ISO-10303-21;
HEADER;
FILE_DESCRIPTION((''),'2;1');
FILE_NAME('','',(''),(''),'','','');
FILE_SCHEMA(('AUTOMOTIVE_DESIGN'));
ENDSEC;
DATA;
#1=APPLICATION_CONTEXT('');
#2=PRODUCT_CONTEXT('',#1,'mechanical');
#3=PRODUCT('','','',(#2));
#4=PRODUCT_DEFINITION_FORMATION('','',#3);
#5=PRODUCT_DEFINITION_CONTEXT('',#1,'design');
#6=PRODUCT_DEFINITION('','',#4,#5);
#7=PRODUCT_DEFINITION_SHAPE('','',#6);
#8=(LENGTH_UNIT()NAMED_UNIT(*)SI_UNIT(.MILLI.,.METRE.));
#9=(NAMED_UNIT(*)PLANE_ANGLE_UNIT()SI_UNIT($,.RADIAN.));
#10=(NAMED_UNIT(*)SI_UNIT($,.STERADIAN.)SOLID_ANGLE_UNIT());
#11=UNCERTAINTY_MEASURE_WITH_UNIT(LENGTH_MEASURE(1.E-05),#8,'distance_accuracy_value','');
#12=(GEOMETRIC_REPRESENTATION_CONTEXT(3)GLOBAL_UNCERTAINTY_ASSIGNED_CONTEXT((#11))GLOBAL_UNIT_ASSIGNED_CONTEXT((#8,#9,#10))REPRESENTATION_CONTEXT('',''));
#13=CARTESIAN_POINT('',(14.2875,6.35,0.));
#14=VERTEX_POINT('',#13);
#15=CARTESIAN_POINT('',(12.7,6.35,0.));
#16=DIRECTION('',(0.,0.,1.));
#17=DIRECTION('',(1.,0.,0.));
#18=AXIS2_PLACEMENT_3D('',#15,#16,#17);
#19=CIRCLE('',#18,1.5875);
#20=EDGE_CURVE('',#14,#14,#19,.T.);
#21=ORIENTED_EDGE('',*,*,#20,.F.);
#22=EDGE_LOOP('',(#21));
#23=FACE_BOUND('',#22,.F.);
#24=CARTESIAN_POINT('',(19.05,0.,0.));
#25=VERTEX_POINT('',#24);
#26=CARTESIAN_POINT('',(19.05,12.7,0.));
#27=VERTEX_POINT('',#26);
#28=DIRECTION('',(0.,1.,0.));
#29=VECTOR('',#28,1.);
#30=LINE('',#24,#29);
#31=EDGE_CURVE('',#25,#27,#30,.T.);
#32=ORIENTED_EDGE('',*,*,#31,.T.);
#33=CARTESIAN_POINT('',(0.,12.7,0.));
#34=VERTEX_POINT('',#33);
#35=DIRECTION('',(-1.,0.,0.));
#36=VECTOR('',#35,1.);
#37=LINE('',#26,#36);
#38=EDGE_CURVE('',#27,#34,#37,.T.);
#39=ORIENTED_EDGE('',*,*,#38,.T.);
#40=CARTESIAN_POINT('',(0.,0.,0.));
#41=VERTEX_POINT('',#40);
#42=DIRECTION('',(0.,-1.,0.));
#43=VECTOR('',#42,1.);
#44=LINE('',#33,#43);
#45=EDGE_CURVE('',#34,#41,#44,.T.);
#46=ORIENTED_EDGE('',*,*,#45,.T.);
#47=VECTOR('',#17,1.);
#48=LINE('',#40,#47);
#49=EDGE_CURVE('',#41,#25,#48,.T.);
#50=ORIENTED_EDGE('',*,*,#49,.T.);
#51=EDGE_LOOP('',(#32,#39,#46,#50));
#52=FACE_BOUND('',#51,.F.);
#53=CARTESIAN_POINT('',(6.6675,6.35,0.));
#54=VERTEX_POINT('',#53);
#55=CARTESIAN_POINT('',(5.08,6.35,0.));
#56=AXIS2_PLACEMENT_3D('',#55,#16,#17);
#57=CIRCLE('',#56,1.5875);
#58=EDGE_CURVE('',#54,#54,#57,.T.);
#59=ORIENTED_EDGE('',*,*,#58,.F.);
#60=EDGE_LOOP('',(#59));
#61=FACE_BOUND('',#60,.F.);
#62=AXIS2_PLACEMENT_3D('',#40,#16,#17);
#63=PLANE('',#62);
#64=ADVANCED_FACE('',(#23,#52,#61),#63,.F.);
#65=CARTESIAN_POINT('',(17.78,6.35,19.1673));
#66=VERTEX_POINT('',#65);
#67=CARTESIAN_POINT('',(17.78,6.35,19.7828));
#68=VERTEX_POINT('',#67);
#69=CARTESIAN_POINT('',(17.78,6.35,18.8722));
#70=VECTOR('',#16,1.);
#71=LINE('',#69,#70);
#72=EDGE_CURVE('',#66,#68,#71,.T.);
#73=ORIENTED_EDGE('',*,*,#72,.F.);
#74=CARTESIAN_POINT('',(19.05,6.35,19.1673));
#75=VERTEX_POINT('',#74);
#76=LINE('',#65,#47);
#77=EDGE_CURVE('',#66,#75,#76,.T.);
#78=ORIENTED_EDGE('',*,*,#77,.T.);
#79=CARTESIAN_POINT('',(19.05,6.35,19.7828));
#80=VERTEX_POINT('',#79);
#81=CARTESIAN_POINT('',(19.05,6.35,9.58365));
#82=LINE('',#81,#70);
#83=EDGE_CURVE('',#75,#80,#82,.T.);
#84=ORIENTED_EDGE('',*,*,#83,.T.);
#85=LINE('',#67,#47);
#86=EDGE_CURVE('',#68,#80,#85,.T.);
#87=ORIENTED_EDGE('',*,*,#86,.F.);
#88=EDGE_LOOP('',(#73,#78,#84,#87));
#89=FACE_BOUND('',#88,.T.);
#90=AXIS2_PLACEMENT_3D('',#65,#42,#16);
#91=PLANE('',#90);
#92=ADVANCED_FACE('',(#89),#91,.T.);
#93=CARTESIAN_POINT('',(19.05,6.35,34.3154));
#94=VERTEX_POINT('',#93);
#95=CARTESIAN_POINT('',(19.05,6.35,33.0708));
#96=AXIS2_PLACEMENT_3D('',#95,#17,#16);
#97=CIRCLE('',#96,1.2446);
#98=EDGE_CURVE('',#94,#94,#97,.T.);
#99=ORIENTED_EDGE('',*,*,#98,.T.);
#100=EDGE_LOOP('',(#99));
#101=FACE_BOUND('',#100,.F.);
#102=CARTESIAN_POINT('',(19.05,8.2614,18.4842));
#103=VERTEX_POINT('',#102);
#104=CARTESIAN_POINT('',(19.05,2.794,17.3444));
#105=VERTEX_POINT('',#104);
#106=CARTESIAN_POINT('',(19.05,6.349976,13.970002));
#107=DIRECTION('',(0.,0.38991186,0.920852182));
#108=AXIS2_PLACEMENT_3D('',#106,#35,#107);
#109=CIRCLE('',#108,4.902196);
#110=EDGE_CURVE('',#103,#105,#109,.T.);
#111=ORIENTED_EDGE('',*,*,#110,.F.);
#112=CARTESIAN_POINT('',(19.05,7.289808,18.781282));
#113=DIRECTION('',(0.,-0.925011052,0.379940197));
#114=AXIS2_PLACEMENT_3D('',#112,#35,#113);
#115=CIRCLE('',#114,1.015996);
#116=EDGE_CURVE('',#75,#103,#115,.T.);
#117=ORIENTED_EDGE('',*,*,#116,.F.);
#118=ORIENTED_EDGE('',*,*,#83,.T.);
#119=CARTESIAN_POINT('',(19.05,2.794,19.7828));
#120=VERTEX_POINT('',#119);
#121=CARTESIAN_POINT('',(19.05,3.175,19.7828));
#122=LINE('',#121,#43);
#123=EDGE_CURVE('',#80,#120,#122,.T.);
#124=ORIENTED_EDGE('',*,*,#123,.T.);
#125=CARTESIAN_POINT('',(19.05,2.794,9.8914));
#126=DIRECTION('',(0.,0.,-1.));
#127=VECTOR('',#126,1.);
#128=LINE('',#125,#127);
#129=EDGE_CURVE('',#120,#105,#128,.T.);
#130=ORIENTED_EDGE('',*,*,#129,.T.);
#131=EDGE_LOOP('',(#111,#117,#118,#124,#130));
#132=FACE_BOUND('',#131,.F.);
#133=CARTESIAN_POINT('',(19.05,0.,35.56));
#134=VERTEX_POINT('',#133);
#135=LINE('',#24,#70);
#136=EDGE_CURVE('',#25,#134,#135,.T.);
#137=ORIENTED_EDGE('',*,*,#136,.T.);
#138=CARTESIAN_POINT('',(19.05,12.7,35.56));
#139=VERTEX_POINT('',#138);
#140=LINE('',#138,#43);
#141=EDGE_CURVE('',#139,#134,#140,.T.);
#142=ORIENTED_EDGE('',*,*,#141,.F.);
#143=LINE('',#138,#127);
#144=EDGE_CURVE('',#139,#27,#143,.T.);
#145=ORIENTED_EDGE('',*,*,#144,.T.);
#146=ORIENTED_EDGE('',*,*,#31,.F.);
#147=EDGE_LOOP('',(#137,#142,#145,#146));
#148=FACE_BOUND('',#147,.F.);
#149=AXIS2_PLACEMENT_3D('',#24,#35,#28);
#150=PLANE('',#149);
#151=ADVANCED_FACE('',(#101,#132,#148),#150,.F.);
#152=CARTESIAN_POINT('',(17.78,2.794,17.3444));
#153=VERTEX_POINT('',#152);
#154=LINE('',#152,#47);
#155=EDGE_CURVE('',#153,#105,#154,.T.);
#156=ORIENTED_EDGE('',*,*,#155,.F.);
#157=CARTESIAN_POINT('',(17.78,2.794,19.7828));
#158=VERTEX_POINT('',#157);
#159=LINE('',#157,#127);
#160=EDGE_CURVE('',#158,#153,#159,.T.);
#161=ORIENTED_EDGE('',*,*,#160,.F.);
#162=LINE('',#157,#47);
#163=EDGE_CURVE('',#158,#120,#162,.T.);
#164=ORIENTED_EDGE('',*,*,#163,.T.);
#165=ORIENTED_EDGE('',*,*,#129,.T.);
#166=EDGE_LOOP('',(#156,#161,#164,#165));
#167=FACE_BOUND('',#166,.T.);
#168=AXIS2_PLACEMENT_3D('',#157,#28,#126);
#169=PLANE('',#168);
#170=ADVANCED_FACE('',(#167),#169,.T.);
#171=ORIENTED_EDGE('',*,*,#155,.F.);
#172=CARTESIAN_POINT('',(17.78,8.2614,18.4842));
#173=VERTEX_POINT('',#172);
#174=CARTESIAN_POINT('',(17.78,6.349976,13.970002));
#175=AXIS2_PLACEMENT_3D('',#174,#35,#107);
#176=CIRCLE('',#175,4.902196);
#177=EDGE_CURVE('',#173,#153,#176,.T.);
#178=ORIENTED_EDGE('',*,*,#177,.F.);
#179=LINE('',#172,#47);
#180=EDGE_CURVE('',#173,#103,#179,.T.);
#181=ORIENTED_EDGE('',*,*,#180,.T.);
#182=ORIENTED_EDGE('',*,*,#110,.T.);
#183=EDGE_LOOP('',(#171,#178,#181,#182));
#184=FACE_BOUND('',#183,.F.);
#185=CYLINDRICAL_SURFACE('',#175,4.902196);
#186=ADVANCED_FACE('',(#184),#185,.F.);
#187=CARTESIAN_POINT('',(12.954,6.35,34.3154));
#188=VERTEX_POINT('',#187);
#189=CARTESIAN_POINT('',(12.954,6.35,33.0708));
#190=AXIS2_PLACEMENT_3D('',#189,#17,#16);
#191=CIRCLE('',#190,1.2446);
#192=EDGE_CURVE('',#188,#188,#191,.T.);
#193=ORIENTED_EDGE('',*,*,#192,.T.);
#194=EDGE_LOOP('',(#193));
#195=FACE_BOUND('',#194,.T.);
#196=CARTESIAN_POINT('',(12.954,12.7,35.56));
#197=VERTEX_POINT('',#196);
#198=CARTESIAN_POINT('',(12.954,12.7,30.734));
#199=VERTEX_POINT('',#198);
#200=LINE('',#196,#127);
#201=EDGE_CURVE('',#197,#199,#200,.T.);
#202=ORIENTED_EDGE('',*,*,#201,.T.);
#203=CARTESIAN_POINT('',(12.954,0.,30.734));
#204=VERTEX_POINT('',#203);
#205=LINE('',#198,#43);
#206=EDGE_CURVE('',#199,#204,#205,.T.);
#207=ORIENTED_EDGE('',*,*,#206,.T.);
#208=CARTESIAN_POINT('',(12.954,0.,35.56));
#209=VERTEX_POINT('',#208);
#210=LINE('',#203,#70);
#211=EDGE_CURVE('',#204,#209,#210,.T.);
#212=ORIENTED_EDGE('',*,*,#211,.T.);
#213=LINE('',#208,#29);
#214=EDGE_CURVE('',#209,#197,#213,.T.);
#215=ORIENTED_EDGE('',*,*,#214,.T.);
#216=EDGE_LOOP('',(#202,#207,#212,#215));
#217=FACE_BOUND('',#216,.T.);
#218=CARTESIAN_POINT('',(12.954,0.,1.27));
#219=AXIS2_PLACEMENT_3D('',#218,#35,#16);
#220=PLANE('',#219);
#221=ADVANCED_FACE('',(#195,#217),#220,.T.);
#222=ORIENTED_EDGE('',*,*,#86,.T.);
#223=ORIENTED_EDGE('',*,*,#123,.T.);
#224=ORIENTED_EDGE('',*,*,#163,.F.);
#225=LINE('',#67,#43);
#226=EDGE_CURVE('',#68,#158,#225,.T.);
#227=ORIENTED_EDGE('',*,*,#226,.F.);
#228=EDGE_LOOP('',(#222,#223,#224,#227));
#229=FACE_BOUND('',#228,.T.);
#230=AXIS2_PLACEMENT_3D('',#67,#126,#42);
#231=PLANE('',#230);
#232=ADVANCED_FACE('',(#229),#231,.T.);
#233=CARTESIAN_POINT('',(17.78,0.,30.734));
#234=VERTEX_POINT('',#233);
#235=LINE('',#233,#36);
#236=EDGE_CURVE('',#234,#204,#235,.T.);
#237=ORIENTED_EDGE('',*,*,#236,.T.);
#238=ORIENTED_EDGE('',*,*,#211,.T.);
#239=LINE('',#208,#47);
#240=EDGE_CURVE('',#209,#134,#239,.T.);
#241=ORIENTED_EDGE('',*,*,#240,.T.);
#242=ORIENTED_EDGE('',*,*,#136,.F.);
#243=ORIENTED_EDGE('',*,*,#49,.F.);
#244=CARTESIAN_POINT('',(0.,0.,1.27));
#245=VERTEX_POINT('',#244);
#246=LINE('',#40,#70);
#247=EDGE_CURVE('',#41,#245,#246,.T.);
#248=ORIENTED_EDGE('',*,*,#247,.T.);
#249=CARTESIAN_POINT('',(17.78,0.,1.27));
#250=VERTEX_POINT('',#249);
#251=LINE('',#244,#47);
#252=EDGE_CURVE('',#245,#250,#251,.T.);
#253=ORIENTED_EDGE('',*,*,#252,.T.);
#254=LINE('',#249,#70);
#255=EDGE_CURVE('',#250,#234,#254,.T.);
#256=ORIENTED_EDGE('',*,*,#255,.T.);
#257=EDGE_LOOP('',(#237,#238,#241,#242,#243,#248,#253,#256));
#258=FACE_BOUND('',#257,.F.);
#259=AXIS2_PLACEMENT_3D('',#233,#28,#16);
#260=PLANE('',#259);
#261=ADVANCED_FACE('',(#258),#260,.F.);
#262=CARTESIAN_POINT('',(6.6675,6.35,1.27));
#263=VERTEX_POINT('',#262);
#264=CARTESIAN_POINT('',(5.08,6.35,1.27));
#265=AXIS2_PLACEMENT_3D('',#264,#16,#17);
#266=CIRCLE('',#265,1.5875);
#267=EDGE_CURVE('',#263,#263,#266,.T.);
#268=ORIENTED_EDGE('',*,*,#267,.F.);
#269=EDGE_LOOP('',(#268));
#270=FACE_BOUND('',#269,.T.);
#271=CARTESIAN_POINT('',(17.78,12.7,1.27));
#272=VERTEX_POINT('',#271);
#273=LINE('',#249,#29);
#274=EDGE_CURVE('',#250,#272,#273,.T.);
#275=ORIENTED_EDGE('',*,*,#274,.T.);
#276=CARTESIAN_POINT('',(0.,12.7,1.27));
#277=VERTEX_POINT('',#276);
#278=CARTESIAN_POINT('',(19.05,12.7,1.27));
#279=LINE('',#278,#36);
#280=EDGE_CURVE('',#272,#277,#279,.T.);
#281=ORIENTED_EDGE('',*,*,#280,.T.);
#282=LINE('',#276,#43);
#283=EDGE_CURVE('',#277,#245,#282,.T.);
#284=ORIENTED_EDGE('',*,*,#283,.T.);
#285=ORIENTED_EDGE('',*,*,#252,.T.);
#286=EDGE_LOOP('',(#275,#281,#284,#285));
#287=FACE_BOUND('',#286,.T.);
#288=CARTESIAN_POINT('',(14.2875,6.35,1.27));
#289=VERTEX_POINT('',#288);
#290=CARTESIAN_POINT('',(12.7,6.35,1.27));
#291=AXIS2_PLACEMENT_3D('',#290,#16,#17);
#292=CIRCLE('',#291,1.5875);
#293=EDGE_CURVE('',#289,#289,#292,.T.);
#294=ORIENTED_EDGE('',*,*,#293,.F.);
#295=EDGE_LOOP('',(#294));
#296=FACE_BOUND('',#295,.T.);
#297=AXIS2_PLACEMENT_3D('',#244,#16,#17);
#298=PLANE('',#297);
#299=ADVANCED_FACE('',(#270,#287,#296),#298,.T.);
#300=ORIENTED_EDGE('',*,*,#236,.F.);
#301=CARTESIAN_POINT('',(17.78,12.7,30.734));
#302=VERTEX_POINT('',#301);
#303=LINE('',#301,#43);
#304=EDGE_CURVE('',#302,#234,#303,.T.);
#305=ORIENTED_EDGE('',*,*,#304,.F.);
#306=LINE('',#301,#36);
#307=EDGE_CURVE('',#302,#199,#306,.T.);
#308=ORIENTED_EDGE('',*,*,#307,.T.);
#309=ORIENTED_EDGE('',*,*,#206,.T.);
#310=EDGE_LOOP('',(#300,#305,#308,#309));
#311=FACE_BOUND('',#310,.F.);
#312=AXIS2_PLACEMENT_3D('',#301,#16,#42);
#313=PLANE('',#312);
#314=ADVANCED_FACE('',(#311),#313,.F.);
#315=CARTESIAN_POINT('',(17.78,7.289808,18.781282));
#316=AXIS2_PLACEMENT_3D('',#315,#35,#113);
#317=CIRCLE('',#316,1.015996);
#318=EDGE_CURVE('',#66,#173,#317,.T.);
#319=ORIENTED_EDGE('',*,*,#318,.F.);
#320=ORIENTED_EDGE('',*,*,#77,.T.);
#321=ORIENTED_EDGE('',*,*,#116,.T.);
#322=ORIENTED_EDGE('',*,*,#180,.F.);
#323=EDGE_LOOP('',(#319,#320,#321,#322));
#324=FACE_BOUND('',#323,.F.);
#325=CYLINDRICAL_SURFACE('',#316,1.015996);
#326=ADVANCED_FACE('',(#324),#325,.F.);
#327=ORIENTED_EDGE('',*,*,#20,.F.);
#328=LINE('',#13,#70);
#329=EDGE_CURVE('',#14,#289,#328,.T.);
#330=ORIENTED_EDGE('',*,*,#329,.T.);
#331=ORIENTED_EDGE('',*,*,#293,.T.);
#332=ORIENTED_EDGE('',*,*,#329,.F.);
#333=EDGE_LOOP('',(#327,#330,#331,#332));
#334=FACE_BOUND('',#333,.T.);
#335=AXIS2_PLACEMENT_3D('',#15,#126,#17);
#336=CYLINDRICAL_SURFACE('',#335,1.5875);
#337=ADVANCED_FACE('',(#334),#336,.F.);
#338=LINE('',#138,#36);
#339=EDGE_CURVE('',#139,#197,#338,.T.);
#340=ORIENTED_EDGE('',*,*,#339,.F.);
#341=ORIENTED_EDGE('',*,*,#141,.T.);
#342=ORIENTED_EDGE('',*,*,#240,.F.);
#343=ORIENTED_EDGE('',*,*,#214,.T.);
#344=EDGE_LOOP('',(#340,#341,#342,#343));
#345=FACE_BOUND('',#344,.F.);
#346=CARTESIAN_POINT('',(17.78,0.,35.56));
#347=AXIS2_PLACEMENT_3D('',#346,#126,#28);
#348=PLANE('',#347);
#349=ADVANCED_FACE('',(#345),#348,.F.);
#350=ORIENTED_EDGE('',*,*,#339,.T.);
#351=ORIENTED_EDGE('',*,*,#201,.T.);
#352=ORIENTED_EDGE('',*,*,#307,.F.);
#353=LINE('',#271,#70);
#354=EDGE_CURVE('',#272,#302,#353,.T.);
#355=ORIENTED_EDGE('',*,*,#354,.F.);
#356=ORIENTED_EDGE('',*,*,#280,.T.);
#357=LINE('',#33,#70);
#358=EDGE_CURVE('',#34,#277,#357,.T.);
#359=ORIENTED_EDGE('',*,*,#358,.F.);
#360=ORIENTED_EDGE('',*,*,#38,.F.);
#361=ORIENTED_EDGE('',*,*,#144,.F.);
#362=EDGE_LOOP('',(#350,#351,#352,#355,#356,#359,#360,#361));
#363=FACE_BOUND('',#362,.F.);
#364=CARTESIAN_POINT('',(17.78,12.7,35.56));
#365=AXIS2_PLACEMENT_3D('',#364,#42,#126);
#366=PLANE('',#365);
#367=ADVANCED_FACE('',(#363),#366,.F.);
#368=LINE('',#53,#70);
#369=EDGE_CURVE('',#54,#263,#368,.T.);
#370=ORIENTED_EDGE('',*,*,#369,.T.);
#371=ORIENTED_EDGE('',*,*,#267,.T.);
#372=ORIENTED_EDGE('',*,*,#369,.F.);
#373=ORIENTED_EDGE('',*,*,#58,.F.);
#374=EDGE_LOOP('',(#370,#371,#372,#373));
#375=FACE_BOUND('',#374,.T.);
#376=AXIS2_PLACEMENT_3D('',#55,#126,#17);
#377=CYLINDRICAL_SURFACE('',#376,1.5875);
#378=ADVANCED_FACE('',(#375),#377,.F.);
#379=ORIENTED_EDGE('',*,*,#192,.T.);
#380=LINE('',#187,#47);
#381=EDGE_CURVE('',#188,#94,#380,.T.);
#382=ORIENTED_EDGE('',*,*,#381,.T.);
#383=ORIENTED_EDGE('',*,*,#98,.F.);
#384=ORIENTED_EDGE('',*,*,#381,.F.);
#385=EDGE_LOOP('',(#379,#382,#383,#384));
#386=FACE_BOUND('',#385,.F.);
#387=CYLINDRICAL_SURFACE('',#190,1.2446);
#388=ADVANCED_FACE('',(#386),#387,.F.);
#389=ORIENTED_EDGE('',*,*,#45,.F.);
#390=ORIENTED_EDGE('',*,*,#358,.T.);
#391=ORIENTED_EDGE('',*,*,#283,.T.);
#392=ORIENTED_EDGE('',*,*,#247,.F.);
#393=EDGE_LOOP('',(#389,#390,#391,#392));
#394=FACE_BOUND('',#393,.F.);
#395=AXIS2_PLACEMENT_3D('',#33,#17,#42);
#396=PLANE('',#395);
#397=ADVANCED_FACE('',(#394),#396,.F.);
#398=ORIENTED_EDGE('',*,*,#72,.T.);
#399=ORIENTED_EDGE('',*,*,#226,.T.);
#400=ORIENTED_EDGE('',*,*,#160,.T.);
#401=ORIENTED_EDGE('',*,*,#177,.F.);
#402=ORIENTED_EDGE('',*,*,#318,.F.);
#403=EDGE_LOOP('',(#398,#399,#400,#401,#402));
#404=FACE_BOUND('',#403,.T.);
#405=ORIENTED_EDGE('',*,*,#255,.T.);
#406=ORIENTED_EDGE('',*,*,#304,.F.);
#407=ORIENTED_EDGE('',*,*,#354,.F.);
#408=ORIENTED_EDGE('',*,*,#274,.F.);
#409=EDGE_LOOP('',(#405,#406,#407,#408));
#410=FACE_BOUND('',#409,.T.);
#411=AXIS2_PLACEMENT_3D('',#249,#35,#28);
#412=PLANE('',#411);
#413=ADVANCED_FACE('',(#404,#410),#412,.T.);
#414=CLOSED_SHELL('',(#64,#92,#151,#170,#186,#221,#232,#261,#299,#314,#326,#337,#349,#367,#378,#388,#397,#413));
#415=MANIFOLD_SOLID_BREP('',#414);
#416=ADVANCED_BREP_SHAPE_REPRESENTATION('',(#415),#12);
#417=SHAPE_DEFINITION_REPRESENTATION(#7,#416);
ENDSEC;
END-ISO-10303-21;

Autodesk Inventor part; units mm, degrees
ref_plane "YZ Plane" through (0, 0, 0) normal (1, 0, 0) x (0, 1, 0)
ref_plane "XZ Plane" through (0, 0, 0) normal (0, 1, 0) x (-1, 0, 0)
ref_plane "XY Plane" through (0, 0, 0) normal (0, 0, 1) x (1, 0, 0)
sketch "Sketch1" plane through (0, 0, 0) normal (0, 0, 1) x (1, 0, 0)
  line L0 (0, 0) -> (19.05, 0)
  line L1 (19.05, 0) -> (19.05, 12.7)
  line L2 (19.05, 12.7) -> (0, 12.7)
  line L3 (0, 12.7) -> (0, 0)
  circle A0 centre (5.08, 6.35) radius 1.5875
  circle A1 centre (12.7, 6.35) radius 1.5875
  dimension "d0" = 12.7
  dimension "d1" = 19.05
  dimension "d2" = 3.175
  dimension "d3" = 3.175
  dimension "d4" = 6.35
  dimension "d5" = 5.08
  dimension "d6" = 7.62
extrude "Extrusion1" add sketch "Sketch1" along normal blind 1.27
sketch "Sketch2" plane through (0, 0, 1.27) normal (0, 0, 1) x (1, 0, 0)
  line L0 (19.05, 12.7) -> (0, 12.7) projected
  line L1 (19.05, 0) -> (17.78, 0)
  line L2 (17.78, 0) -> (17.78, 12.7)
  line L3 (17.78, 12.7) -> (19.05, 12.7)
  line L4 (19.05, 12.7) -> (19.05, 0)
  point P0 (0, 0)
  dimension "d9" = 1.27
extrude "Extrusion2" add sketch "Sketch2" along normal blind 34.29
sketch "Sketch3" plane through (17.78, 0, 1.27) normal (-1, 0, 0) x (0, 0, 1)
  line L0 (0, 12.7) -> (0, 0) projected
  line L1 (0, 12.7) -> (34.29, 12.7) projected
  arc A0 (17.2142, 8.2614) -> (16.0744, 2.794) centre (12.7, 6.35) ccw
  line L2 (17.6022, 6.35) -> (18.5128, 6.35)
  line L3 (18.5128, 6.35) -> (18.5128, 2.794)
  line L4 (18.5128, 2.794) -> (16.0744, 2.794)
  line L5 (16.0744, 2.794) -> (16.0744, 6.35)
  arc A1 (17.8973, 6.35) -> (17.2142, 8.2614) centre (17.5113, 7.2898) ccw
  point P0 (-1.27, 0)
  point P1 (17.2936, 6.35)
  dimension "d21" = 9.8044
  dimension "d22" = 12.7
  dimension "d23" = 6.35
  dimension "d24" = 3.556
  dimension "d25" = 2.4384
  dimension "d26" = 2.032
  dimension "d27" = 0.9398
  dimension "d28" = 3.556
extrude "Extrusion3" cut sketch "Sketch3" against normal blind 25.4
sketch "Sketch4" plane through (17.78, 0, 1.27) normal (-1, 0, 0) x (0, 0, 1)
  line L0 (34.29, 12.7) -> (29.464, 12.7)
  line L1 (29.464, 12.7) -> (29.464, 0)
  line L2 (29.464, 0) -> (34.29, 0)
  line L3 (34.29, 0) -> (34.29, 12.7)
  arc A0 (17.2142, 8.2614) -> (16.0744, 2.794) centre (12.7, 6.35) ccw projected
  line L4 (0, 0) -> (34.29, 0) projected
  point P0 (-1.27, 0)
  point P1 (31.877, 0)
  dimension "d29" = 16.764
extrude "Extrusion4" add sketch "Sketch4" along normal blind 4.826
sketch "Sketch5" plane through (12.954, 0, 1.27) normal (-1, 0, 0) x (0, 0, 1)
  line L0 (34.29, 12.7) -> (29.464, 12.7) projected
  line L1 (29.464, 12.7) -> (29.464, 0) projected
  line L2 (29.464, 0) -> (34.29, 0) projected
  line L3 (34.29, 0) -> (34.29, 12.7) projected
  point P0 (-1.27, 0)
  point P1 (31.8008, 6.35)
  dimension "d33" = 4.826
  dimension "d35" = 12.7
  dimension "d38" = 6.35
  dimension "d46" = 2.3368
hole "Hole1" at (12.954, 6.35, 33.0708) direction (1, 0, 0) diameter 2.4892 end through all
properties part number "000208"
